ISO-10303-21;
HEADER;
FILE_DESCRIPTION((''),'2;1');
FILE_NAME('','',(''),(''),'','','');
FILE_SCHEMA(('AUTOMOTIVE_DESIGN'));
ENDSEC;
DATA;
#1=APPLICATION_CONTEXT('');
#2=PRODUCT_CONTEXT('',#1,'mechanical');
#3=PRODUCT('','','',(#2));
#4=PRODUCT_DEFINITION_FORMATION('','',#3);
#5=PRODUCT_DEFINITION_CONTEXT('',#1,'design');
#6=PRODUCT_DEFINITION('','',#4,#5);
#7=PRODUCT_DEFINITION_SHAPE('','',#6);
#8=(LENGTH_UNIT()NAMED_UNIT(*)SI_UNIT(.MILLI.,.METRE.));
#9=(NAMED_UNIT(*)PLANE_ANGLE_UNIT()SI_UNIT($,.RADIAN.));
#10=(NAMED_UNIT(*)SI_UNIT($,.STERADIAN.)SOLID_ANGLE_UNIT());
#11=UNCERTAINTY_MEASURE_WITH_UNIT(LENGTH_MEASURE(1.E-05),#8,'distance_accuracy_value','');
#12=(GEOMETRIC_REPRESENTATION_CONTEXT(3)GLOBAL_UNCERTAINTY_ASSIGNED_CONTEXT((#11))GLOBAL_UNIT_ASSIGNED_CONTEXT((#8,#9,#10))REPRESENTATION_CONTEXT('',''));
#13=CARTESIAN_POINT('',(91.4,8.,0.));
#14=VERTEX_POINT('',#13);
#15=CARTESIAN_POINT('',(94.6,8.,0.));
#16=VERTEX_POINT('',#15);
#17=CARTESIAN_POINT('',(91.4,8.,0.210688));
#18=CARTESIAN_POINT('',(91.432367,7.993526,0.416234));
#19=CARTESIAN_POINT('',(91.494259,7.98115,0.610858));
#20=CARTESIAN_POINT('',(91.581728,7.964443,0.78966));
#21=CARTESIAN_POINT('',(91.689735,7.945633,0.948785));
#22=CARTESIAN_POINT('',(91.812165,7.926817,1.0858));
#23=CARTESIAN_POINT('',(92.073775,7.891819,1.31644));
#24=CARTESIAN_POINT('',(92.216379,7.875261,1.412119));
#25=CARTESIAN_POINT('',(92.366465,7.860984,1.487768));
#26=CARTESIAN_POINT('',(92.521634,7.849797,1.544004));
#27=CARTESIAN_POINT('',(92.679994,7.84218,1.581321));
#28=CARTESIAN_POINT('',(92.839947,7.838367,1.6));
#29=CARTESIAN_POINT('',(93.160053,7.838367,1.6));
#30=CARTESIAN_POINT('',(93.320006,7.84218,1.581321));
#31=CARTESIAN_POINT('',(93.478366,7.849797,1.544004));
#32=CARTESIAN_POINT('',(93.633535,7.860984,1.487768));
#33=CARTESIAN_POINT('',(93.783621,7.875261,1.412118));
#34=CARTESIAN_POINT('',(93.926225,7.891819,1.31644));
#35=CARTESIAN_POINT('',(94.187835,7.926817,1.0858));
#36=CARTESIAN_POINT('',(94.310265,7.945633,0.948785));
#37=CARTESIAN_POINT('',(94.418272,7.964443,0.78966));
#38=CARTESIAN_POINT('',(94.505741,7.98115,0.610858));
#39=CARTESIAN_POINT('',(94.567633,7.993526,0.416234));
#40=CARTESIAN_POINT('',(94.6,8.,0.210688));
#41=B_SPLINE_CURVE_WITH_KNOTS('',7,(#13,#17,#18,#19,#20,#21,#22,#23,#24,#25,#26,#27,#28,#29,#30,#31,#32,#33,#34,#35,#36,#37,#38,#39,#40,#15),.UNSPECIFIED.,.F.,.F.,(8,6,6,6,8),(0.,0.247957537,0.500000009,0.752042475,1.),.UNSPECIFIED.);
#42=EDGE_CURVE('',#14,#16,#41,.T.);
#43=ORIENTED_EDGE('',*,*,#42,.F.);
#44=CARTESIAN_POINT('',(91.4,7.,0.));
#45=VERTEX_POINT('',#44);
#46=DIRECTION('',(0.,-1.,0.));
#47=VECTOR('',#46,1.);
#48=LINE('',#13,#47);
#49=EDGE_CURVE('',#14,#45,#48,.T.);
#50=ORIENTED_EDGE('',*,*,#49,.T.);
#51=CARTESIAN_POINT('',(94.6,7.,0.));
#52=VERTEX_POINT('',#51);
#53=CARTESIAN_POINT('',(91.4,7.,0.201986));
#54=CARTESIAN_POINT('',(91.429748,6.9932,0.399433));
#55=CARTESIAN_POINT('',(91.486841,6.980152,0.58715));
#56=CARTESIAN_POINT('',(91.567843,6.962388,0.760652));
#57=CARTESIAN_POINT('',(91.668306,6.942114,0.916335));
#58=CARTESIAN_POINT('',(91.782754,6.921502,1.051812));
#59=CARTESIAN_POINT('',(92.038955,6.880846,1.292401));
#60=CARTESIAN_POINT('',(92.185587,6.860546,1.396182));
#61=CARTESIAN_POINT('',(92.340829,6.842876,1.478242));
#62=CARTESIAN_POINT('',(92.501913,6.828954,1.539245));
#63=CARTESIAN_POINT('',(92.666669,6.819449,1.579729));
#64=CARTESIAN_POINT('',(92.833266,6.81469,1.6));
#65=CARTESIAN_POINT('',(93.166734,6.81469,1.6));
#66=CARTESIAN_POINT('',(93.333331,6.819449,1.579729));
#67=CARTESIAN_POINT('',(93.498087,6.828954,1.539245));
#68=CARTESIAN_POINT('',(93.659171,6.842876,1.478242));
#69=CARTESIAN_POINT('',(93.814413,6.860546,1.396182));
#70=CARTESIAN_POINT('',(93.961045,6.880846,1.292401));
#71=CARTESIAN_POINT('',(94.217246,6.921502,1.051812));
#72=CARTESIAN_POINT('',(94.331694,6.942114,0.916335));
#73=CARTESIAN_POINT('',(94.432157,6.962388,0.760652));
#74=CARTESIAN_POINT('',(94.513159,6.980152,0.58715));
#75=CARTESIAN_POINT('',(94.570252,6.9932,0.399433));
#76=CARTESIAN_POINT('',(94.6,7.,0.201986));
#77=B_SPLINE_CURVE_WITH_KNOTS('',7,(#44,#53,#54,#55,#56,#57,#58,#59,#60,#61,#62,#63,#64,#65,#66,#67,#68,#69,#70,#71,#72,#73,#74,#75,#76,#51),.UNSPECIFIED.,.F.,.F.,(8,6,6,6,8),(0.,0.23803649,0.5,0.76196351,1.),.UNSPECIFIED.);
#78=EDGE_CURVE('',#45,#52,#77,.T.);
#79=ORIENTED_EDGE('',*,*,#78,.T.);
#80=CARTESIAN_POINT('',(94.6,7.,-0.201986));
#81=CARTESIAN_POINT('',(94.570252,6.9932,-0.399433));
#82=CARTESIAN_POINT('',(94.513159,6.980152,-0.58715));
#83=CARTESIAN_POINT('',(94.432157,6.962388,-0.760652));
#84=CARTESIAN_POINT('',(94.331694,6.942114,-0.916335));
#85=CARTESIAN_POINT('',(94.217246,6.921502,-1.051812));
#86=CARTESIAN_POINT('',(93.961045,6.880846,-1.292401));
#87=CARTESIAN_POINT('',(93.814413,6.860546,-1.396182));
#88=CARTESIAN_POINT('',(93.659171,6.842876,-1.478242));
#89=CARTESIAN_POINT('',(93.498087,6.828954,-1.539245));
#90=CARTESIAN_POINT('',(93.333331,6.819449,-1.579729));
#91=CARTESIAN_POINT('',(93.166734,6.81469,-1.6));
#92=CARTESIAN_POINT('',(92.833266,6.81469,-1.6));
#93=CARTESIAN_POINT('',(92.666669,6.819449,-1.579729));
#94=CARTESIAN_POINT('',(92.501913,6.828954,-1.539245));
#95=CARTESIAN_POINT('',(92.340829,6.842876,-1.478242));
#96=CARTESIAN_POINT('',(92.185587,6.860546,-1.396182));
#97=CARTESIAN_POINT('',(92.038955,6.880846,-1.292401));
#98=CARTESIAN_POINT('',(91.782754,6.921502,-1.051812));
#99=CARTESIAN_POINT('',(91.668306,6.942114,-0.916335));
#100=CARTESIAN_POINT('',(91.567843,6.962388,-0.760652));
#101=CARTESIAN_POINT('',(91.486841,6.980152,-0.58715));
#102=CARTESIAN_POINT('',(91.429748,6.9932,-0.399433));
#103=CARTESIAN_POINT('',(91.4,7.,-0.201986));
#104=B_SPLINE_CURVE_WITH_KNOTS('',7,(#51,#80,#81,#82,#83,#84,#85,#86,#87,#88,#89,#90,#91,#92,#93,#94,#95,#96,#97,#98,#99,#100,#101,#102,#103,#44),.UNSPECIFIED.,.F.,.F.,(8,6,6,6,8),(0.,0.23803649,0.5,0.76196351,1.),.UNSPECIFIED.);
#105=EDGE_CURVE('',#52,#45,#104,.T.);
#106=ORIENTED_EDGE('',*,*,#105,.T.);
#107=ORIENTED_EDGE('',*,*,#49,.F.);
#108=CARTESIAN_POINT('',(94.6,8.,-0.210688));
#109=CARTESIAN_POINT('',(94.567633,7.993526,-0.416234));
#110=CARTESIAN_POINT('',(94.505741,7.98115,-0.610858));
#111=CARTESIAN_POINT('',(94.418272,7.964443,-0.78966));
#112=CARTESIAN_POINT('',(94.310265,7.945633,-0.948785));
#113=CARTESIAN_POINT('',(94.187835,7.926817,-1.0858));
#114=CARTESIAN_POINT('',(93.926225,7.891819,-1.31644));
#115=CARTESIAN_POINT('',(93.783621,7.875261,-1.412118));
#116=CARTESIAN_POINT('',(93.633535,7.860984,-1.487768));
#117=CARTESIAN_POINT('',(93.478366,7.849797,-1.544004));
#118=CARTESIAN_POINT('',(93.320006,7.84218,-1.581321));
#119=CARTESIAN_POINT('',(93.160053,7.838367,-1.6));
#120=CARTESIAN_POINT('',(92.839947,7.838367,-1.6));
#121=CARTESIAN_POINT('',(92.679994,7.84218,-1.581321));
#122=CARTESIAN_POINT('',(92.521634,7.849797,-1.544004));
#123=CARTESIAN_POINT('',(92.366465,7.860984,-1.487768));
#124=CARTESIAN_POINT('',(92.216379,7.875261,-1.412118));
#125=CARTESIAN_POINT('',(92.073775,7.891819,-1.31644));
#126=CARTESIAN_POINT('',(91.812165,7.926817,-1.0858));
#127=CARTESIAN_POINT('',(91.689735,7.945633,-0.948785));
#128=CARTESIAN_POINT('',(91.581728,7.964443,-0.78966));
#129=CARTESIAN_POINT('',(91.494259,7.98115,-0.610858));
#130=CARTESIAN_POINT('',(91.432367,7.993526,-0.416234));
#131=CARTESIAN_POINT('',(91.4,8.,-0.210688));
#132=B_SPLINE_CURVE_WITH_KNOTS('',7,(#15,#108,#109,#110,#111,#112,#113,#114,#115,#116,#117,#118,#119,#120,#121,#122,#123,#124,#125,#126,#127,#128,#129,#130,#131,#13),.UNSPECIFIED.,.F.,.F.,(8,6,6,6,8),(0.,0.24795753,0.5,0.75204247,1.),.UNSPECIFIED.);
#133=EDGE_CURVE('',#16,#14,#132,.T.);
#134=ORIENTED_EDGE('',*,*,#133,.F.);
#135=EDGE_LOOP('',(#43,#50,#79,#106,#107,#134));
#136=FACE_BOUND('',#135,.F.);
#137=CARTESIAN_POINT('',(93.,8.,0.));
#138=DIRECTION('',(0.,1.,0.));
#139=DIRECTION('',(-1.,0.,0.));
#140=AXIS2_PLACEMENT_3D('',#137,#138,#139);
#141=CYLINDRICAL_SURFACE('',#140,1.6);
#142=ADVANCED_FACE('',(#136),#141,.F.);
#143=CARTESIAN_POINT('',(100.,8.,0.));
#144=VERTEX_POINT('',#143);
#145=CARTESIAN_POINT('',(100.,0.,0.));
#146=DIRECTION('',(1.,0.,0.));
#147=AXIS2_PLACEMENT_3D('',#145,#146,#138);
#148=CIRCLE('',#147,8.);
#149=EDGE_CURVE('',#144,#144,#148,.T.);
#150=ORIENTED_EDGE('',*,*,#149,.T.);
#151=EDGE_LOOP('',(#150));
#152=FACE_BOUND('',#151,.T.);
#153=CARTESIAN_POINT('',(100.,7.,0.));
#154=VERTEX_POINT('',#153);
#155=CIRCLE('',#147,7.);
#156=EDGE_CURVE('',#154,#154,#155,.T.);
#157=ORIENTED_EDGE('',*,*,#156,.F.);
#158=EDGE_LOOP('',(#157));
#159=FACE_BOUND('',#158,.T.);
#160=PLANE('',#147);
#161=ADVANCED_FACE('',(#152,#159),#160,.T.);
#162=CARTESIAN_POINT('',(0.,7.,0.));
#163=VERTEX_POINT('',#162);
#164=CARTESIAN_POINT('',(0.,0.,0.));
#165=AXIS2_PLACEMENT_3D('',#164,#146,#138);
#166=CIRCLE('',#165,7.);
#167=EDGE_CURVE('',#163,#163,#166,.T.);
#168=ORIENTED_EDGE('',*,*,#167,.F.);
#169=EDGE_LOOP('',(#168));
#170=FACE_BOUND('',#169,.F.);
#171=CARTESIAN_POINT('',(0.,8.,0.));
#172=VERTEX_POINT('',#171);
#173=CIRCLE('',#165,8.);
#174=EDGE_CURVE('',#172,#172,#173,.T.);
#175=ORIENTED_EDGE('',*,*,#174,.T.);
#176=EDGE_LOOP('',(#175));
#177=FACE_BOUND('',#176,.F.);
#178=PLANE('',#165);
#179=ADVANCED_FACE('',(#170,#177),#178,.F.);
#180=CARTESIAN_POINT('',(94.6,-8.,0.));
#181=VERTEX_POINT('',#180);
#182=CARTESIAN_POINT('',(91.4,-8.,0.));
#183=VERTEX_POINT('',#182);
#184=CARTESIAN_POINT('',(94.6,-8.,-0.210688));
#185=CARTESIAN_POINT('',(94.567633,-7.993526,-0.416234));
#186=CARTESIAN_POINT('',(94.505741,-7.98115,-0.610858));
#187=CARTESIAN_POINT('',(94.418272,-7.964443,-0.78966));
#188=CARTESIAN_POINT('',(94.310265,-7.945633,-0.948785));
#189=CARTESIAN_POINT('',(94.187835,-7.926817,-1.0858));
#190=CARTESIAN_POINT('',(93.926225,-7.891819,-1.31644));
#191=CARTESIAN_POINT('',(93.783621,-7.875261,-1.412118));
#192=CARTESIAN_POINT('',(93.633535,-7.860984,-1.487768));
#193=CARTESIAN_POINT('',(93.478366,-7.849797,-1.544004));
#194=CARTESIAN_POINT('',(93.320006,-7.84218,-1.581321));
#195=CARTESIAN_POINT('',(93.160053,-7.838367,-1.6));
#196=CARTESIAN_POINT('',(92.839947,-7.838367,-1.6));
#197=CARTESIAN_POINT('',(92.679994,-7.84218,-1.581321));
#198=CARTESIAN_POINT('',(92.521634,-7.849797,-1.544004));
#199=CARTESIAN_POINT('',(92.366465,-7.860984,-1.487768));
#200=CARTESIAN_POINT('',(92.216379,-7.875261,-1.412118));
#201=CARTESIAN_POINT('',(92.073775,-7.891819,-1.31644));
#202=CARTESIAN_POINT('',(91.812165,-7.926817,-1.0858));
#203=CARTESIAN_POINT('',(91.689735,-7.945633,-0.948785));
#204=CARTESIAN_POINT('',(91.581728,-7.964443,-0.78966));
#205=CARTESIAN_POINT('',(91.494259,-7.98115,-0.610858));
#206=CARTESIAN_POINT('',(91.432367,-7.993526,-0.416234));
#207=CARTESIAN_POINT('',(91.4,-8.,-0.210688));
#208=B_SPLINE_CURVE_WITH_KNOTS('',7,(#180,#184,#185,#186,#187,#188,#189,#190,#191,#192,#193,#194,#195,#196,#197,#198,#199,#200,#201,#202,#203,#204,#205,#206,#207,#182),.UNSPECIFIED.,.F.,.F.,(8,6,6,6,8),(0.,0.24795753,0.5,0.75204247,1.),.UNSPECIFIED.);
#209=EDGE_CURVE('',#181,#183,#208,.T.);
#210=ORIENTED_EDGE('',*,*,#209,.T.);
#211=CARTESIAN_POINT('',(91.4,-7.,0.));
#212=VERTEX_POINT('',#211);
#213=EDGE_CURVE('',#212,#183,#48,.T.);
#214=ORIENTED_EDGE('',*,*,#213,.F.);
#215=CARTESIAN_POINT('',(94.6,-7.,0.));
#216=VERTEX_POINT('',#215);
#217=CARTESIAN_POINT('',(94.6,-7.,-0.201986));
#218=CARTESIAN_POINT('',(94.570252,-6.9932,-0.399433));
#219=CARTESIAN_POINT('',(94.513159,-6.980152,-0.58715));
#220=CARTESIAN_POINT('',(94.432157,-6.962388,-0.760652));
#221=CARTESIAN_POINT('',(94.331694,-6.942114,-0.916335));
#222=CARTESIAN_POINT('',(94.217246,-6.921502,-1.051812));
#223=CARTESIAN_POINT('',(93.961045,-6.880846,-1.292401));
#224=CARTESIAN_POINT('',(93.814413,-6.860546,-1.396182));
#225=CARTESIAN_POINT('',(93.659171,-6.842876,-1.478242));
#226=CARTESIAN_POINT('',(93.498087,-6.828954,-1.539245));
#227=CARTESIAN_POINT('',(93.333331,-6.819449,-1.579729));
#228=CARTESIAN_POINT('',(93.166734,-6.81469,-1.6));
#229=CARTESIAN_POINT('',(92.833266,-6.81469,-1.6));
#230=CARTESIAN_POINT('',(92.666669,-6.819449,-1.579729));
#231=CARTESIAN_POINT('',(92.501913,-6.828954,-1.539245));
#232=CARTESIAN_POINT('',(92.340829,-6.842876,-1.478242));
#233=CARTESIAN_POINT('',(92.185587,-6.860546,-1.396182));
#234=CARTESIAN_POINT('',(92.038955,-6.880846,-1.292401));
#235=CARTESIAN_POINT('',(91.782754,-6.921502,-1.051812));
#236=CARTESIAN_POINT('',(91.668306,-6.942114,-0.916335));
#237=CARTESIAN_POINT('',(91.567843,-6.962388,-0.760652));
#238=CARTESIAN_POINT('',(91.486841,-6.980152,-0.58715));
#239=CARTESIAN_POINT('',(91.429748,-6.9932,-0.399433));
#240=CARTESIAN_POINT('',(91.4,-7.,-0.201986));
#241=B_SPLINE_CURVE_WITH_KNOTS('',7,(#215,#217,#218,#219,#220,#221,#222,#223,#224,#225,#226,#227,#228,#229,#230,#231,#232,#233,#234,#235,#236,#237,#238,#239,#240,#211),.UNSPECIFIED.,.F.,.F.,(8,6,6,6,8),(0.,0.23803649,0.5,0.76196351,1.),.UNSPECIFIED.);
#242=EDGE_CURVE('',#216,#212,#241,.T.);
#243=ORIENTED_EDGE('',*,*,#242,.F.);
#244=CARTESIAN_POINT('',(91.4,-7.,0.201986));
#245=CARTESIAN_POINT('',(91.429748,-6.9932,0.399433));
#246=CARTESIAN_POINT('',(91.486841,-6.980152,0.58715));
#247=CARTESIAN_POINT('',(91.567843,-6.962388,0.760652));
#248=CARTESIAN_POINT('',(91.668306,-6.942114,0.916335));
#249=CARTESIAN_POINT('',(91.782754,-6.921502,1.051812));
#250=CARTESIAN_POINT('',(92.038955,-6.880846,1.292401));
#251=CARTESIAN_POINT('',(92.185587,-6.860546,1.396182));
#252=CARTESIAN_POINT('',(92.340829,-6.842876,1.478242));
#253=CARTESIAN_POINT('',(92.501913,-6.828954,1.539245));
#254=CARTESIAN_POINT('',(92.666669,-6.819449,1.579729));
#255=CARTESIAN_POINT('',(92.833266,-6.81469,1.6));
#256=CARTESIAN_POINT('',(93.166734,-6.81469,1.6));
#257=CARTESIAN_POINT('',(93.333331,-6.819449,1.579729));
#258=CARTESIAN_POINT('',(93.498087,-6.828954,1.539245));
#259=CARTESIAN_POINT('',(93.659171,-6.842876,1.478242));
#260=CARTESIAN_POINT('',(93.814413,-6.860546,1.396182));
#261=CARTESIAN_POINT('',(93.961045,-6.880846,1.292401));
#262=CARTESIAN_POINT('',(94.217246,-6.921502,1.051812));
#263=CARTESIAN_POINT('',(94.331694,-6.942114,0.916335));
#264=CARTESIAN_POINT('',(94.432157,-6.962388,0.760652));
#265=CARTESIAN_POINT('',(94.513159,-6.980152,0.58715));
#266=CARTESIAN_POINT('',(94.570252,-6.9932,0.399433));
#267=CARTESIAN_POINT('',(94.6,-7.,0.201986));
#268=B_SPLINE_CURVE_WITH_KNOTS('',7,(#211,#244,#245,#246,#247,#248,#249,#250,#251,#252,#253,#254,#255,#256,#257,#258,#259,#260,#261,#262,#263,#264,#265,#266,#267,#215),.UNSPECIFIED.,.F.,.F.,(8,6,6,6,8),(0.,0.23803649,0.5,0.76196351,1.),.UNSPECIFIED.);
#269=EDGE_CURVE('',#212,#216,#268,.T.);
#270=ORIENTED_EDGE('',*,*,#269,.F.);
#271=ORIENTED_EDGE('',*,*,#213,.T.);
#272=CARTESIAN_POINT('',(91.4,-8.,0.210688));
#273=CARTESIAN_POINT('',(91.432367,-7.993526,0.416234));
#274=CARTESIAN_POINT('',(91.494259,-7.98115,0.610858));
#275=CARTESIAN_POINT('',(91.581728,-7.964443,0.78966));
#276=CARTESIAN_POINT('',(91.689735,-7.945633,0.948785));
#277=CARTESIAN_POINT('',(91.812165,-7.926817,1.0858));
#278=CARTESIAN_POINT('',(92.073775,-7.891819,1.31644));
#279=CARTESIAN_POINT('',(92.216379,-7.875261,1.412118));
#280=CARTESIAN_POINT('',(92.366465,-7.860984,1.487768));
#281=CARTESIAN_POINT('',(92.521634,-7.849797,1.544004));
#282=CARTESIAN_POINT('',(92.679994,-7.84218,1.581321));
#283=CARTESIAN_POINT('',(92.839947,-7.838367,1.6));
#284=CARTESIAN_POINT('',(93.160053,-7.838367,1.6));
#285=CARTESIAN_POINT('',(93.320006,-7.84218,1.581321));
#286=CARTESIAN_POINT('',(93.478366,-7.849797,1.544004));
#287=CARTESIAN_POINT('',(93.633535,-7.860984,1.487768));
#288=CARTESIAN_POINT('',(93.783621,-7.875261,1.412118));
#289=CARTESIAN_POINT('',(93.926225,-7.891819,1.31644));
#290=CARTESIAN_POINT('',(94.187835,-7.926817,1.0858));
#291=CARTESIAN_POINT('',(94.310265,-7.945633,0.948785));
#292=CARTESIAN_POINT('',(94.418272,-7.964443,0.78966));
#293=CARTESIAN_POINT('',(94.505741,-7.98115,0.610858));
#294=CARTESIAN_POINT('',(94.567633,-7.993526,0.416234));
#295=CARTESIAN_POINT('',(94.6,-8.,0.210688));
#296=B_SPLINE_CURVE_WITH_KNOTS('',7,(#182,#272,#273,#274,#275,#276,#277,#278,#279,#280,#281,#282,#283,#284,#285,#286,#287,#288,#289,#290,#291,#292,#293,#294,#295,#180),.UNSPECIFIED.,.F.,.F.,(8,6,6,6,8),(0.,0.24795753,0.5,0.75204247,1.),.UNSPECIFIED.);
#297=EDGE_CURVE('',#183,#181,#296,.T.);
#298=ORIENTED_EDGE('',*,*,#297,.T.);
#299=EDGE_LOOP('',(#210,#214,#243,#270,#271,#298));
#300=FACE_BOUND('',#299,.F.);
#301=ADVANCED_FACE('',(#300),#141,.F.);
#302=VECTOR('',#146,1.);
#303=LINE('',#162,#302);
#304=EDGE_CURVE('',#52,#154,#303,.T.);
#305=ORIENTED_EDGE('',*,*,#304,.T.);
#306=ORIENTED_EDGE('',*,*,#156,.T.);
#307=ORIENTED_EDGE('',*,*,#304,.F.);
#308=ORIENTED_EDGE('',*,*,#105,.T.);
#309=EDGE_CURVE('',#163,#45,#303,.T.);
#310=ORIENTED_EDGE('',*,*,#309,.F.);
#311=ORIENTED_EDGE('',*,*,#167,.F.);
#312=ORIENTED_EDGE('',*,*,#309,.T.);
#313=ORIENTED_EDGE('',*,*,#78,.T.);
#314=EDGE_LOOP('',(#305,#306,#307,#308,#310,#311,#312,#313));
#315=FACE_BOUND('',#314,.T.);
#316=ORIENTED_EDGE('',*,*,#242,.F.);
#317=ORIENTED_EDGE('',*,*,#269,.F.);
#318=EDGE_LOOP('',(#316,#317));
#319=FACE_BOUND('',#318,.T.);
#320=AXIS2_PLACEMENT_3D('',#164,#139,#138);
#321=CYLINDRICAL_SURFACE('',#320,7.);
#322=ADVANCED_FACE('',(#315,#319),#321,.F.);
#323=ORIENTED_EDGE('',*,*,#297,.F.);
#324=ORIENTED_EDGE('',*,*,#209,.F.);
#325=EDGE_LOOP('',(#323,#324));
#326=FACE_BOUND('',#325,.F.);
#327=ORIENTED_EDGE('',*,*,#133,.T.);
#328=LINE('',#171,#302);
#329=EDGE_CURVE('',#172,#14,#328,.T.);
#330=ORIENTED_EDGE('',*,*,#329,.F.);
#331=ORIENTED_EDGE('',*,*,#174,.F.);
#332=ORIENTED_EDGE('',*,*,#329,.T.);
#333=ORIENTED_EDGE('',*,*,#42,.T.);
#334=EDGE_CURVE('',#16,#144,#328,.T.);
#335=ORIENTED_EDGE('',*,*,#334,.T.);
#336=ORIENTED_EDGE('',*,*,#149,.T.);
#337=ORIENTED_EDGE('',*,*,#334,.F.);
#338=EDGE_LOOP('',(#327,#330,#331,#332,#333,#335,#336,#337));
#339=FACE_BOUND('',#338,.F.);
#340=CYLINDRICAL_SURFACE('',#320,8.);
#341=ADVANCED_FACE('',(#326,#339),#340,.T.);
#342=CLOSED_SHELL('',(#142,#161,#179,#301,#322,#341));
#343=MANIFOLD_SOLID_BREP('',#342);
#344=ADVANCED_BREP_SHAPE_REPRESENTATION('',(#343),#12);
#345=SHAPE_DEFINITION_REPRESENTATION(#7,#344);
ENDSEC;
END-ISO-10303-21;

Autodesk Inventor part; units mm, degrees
ref_plane "YZ Plane" through (0, 0, 0) normal (1, 0, 0) x (0, 1, 0)
ref_plane "XZ Plane" through (0, 0, 0) normal (0, 1, 0) x (-1, 0, 0)
ref_plane "XY Plane" through (0, 0, 0) normal (0, 0, 1) x (1, 0, 0)
sketch "Sketch1" plane through (0, 0, 0) normal (1, 0, 0) x (0, 1, 0)
  circle A0 centre (0, 0) radius 8
  circle A1 centre (0, 0) radius 7
  dimension "d0" = 16
  dimension "d1" = 14
extrude "Extrusion1" add sketch "Sketch1" along normal blind 100
sketch "Sketch2" plane through (100, 0, 0) normal (1, 0, 0) x (0, 0, -1)
  circle A0 centre (0, 0) radius 8 projected
  line L0 (0, 8) -> (0, -8)
ref_plane "Work Plane1" through (100, 8, 0) normal (0, 1, 0) x (-1, 0, 0)
sketch "Sketch3" plane through (100, 8, 0) normal (0, 1, 0) x (-1, 0, 0)
  line L0 (0, 8) -> (0, -8) projected
  line L1 (0, 0) -> (7, 0)
  circle A0 centre (7, 0) radius 1.6
  point P0 (100, 0)
  dimension "d4" = 7
  dimension "d5" = 3.2
extrude "Extrusion2" cut sketch "Sketch3" against normal through all
properties part number "arm_back" material "Aluminum 6061"
